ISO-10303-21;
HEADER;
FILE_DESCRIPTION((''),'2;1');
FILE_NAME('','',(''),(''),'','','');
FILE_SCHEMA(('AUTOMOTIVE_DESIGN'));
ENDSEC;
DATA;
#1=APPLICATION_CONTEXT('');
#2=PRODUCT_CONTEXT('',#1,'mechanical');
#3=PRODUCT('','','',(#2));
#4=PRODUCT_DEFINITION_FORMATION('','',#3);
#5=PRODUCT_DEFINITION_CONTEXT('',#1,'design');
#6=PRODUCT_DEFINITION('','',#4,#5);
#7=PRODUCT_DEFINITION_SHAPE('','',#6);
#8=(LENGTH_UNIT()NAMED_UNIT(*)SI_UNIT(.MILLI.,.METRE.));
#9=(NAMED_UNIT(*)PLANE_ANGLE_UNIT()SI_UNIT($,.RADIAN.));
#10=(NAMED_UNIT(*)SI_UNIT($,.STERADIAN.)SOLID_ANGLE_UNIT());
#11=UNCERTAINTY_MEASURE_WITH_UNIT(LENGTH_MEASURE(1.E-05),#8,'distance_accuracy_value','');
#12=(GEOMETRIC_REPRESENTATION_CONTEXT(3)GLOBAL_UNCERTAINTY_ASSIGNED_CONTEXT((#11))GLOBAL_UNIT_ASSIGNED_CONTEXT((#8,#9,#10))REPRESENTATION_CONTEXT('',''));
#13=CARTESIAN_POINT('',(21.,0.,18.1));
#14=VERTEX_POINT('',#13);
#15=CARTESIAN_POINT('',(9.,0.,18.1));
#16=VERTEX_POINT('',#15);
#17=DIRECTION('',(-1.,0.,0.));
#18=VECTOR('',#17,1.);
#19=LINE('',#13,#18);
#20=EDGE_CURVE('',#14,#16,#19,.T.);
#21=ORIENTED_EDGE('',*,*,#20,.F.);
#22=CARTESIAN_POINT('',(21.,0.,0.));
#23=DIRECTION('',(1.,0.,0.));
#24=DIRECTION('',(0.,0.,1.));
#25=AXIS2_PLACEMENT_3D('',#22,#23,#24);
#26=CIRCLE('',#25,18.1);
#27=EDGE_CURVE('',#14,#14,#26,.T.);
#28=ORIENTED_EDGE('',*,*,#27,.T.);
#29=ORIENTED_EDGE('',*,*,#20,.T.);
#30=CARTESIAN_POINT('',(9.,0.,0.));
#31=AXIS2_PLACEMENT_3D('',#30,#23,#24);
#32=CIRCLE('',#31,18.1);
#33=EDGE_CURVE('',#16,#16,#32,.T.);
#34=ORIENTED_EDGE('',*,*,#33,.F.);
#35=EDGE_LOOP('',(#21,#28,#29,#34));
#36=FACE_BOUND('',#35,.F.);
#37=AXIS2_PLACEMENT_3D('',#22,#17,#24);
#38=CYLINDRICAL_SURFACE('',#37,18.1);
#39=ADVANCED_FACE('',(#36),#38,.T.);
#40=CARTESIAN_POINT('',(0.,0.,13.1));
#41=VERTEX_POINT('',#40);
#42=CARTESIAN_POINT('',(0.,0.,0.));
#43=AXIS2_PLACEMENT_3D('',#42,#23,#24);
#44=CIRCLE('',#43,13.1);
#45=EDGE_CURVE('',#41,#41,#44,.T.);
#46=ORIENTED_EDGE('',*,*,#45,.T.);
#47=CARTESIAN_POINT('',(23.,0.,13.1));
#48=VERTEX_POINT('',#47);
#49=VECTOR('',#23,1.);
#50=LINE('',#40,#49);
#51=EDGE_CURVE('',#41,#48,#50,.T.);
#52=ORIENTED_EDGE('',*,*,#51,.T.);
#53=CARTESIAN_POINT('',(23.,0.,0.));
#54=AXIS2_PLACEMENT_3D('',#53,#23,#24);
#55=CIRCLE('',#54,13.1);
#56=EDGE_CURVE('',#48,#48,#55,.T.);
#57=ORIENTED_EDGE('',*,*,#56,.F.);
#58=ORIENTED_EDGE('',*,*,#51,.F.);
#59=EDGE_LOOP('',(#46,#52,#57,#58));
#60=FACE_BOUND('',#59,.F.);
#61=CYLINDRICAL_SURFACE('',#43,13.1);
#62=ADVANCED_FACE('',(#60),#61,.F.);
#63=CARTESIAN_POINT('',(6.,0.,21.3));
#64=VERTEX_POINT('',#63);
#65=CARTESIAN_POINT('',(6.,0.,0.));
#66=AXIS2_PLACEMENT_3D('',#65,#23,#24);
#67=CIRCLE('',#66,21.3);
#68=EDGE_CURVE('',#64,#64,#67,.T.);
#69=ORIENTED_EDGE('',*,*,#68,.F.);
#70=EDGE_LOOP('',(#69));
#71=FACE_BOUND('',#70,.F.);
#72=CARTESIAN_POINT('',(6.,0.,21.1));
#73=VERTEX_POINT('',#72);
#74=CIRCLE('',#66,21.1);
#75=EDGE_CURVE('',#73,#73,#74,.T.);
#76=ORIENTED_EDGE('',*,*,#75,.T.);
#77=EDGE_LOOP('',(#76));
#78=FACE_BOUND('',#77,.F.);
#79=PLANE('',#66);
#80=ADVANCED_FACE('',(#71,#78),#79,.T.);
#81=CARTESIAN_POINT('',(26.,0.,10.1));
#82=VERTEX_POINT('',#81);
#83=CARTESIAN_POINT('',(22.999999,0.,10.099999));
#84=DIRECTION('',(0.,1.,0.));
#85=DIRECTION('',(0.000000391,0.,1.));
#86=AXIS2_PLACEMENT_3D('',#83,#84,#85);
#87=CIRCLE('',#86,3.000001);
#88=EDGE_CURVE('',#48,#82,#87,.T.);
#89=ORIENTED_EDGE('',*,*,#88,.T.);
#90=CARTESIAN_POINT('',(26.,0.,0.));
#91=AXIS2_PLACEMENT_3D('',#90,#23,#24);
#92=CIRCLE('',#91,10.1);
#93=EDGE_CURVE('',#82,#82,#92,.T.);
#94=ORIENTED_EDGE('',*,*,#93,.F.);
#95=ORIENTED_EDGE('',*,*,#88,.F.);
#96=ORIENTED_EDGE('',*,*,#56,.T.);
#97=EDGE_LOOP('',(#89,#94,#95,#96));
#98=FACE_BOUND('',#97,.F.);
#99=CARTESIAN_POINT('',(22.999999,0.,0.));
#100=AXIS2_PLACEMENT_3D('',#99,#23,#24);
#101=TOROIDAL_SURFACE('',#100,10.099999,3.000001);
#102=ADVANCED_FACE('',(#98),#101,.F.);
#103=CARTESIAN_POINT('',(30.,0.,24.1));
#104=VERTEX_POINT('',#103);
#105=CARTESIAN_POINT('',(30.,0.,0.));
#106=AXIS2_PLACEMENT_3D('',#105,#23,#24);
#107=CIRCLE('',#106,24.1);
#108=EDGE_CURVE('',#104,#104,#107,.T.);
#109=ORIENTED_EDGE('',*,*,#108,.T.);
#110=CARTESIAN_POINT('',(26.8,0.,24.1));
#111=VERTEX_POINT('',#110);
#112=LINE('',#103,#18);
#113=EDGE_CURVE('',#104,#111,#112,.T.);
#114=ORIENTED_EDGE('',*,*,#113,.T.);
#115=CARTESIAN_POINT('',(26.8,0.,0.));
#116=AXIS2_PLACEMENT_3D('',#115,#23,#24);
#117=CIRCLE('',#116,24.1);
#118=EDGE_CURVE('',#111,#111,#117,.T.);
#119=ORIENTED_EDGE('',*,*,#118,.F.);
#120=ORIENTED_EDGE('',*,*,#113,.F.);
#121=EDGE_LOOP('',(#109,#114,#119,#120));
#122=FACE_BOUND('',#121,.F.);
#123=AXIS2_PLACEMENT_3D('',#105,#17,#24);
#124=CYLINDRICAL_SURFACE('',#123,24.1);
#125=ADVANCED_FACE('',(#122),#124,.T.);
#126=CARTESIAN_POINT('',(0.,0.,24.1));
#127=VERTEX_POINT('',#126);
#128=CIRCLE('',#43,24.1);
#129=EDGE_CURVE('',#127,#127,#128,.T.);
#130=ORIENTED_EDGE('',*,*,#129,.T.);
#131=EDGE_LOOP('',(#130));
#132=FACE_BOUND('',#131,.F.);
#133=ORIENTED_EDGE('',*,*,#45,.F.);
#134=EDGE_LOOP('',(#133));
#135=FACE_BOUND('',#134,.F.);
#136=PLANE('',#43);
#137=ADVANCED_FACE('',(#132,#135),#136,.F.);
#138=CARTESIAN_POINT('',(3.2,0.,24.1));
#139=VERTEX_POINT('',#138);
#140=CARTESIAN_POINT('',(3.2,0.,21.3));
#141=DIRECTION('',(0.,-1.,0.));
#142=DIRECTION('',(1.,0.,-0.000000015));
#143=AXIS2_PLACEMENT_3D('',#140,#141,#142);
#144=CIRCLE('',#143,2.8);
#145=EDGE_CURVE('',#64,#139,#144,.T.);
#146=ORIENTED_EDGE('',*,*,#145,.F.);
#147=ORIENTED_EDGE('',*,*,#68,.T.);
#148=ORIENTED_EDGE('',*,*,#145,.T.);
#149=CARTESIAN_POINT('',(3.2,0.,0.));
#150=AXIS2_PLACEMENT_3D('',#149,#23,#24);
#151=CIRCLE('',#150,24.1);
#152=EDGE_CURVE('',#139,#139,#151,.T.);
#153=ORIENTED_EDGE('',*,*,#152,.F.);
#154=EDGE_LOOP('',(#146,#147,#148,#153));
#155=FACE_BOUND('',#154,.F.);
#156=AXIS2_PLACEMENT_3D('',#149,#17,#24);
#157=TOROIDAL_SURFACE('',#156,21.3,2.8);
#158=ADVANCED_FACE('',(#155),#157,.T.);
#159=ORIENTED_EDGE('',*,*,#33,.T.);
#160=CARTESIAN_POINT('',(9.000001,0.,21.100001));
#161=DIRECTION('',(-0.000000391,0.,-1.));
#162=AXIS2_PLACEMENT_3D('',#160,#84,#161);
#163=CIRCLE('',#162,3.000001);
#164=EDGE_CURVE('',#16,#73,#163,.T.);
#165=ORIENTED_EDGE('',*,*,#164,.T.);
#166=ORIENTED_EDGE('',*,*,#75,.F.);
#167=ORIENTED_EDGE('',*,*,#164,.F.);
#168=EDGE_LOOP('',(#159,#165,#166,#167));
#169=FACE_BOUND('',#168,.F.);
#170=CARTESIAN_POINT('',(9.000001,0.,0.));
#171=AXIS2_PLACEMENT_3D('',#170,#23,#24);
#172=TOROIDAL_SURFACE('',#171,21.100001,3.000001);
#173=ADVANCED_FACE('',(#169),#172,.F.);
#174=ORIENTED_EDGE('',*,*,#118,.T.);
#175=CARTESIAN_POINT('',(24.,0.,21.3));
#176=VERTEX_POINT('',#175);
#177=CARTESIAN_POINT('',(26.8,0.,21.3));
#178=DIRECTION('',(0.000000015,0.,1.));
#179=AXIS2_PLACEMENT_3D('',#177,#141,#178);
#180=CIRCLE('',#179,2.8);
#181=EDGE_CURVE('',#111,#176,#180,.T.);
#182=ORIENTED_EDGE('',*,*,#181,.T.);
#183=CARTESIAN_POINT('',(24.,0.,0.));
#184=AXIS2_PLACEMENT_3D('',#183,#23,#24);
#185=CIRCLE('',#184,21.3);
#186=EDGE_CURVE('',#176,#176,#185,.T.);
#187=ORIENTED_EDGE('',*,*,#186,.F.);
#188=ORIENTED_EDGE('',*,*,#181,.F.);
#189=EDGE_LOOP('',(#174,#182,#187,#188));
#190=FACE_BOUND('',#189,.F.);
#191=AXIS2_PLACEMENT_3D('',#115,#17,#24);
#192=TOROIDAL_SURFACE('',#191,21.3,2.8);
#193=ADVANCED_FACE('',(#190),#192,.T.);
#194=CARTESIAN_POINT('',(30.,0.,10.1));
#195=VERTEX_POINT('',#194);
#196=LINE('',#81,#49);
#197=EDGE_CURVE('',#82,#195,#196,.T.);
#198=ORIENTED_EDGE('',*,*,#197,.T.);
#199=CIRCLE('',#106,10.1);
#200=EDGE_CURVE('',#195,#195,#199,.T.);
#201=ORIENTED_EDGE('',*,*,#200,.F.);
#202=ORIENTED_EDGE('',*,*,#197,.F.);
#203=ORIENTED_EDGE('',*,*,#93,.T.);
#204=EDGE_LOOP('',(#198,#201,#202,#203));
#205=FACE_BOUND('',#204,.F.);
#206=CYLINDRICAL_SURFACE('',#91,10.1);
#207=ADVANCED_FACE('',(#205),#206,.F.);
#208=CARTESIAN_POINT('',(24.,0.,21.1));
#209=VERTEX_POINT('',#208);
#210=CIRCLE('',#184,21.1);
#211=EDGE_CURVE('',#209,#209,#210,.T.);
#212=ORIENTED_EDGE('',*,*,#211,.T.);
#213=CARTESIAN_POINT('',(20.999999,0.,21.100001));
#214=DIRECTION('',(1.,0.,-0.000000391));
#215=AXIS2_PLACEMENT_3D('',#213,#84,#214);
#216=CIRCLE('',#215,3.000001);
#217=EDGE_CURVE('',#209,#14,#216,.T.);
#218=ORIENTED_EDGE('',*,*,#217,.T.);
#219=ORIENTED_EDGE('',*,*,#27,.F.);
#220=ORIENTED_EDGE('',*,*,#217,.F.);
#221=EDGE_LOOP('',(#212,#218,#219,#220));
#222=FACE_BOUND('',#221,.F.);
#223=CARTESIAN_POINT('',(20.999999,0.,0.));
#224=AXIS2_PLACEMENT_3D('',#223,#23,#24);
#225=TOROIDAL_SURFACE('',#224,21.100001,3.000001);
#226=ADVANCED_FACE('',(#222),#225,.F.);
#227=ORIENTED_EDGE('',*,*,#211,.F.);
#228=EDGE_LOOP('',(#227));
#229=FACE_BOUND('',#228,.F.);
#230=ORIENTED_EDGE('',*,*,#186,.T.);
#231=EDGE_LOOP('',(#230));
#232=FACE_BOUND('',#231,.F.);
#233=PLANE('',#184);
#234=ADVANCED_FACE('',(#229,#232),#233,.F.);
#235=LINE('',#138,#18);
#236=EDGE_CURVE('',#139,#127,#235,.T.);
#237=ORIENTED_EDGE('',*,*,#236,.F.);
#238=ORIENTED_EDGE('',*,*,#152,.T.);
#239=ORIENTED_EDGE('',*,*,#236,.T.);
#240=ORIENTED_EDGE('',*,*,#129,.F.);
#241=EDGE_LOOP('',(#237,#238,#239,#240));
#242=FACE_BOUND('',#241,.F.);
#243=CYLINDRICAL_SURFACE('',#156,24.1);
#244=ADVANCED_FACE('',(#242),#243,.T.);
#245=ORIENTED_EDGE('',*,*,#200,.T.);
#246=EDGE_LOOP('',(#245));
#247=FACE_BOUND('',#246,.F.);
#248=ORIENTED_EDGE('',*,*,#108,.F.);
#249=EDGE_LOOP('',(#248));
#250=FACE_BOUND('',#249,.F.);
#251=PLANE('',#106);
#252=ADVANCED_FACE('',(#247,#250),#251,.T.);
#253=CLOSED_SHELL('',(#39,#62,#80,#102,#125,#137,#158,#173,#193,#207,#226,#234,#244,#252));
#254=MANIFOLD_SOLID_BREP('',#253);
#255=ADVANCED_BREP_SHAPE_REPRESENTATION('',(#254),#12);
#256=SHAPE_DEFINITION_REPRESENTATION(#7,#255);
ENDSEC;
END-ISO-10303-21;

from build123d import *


with BuildPart() as f1:
    # F0 (on Front) → F1 (revolve)
    with BuildSketch(Plane.XZ):
        with BuildLine():
            Line((0, 24.1), (0, 13.1))
            Line((0, 13.1), (23, 13.1))
            ThreePointArc((23, 13.1), (25.12132, 12.22132), (26, 10.1))
            Line((26, 10.1), (30, 10.1))
            Line((30, 10.1), (30, 24.1))
            Line((30, 24.1), (26.8, 24.1))
            ThreePointArc((26.8, 24.1), (24.820101, 23.279899), (24, 21.3))
            Line((24, 21.3), (24, 21.1))
            ThreePointArc((24, 21.1), (23.12132, 18.97868), (21, 18.1))
            Line((21, 18.1), (9, 18.1))
            ThreePointArc((9, 18.1), (6.87868, 18.97868), (6, 21.1))
            Line((6, 21.1), (6, 21.3))
            ThreePointArc((6, 21.3), (5.179899, 23.279899), (3.2, 24.1))
            Line((3.2, 24.1), (0, 24.1))
        make_face()
    revolve(axis=Axis((23.917552, 0, 0), (1, 0, 0)))


solid = f1.part
